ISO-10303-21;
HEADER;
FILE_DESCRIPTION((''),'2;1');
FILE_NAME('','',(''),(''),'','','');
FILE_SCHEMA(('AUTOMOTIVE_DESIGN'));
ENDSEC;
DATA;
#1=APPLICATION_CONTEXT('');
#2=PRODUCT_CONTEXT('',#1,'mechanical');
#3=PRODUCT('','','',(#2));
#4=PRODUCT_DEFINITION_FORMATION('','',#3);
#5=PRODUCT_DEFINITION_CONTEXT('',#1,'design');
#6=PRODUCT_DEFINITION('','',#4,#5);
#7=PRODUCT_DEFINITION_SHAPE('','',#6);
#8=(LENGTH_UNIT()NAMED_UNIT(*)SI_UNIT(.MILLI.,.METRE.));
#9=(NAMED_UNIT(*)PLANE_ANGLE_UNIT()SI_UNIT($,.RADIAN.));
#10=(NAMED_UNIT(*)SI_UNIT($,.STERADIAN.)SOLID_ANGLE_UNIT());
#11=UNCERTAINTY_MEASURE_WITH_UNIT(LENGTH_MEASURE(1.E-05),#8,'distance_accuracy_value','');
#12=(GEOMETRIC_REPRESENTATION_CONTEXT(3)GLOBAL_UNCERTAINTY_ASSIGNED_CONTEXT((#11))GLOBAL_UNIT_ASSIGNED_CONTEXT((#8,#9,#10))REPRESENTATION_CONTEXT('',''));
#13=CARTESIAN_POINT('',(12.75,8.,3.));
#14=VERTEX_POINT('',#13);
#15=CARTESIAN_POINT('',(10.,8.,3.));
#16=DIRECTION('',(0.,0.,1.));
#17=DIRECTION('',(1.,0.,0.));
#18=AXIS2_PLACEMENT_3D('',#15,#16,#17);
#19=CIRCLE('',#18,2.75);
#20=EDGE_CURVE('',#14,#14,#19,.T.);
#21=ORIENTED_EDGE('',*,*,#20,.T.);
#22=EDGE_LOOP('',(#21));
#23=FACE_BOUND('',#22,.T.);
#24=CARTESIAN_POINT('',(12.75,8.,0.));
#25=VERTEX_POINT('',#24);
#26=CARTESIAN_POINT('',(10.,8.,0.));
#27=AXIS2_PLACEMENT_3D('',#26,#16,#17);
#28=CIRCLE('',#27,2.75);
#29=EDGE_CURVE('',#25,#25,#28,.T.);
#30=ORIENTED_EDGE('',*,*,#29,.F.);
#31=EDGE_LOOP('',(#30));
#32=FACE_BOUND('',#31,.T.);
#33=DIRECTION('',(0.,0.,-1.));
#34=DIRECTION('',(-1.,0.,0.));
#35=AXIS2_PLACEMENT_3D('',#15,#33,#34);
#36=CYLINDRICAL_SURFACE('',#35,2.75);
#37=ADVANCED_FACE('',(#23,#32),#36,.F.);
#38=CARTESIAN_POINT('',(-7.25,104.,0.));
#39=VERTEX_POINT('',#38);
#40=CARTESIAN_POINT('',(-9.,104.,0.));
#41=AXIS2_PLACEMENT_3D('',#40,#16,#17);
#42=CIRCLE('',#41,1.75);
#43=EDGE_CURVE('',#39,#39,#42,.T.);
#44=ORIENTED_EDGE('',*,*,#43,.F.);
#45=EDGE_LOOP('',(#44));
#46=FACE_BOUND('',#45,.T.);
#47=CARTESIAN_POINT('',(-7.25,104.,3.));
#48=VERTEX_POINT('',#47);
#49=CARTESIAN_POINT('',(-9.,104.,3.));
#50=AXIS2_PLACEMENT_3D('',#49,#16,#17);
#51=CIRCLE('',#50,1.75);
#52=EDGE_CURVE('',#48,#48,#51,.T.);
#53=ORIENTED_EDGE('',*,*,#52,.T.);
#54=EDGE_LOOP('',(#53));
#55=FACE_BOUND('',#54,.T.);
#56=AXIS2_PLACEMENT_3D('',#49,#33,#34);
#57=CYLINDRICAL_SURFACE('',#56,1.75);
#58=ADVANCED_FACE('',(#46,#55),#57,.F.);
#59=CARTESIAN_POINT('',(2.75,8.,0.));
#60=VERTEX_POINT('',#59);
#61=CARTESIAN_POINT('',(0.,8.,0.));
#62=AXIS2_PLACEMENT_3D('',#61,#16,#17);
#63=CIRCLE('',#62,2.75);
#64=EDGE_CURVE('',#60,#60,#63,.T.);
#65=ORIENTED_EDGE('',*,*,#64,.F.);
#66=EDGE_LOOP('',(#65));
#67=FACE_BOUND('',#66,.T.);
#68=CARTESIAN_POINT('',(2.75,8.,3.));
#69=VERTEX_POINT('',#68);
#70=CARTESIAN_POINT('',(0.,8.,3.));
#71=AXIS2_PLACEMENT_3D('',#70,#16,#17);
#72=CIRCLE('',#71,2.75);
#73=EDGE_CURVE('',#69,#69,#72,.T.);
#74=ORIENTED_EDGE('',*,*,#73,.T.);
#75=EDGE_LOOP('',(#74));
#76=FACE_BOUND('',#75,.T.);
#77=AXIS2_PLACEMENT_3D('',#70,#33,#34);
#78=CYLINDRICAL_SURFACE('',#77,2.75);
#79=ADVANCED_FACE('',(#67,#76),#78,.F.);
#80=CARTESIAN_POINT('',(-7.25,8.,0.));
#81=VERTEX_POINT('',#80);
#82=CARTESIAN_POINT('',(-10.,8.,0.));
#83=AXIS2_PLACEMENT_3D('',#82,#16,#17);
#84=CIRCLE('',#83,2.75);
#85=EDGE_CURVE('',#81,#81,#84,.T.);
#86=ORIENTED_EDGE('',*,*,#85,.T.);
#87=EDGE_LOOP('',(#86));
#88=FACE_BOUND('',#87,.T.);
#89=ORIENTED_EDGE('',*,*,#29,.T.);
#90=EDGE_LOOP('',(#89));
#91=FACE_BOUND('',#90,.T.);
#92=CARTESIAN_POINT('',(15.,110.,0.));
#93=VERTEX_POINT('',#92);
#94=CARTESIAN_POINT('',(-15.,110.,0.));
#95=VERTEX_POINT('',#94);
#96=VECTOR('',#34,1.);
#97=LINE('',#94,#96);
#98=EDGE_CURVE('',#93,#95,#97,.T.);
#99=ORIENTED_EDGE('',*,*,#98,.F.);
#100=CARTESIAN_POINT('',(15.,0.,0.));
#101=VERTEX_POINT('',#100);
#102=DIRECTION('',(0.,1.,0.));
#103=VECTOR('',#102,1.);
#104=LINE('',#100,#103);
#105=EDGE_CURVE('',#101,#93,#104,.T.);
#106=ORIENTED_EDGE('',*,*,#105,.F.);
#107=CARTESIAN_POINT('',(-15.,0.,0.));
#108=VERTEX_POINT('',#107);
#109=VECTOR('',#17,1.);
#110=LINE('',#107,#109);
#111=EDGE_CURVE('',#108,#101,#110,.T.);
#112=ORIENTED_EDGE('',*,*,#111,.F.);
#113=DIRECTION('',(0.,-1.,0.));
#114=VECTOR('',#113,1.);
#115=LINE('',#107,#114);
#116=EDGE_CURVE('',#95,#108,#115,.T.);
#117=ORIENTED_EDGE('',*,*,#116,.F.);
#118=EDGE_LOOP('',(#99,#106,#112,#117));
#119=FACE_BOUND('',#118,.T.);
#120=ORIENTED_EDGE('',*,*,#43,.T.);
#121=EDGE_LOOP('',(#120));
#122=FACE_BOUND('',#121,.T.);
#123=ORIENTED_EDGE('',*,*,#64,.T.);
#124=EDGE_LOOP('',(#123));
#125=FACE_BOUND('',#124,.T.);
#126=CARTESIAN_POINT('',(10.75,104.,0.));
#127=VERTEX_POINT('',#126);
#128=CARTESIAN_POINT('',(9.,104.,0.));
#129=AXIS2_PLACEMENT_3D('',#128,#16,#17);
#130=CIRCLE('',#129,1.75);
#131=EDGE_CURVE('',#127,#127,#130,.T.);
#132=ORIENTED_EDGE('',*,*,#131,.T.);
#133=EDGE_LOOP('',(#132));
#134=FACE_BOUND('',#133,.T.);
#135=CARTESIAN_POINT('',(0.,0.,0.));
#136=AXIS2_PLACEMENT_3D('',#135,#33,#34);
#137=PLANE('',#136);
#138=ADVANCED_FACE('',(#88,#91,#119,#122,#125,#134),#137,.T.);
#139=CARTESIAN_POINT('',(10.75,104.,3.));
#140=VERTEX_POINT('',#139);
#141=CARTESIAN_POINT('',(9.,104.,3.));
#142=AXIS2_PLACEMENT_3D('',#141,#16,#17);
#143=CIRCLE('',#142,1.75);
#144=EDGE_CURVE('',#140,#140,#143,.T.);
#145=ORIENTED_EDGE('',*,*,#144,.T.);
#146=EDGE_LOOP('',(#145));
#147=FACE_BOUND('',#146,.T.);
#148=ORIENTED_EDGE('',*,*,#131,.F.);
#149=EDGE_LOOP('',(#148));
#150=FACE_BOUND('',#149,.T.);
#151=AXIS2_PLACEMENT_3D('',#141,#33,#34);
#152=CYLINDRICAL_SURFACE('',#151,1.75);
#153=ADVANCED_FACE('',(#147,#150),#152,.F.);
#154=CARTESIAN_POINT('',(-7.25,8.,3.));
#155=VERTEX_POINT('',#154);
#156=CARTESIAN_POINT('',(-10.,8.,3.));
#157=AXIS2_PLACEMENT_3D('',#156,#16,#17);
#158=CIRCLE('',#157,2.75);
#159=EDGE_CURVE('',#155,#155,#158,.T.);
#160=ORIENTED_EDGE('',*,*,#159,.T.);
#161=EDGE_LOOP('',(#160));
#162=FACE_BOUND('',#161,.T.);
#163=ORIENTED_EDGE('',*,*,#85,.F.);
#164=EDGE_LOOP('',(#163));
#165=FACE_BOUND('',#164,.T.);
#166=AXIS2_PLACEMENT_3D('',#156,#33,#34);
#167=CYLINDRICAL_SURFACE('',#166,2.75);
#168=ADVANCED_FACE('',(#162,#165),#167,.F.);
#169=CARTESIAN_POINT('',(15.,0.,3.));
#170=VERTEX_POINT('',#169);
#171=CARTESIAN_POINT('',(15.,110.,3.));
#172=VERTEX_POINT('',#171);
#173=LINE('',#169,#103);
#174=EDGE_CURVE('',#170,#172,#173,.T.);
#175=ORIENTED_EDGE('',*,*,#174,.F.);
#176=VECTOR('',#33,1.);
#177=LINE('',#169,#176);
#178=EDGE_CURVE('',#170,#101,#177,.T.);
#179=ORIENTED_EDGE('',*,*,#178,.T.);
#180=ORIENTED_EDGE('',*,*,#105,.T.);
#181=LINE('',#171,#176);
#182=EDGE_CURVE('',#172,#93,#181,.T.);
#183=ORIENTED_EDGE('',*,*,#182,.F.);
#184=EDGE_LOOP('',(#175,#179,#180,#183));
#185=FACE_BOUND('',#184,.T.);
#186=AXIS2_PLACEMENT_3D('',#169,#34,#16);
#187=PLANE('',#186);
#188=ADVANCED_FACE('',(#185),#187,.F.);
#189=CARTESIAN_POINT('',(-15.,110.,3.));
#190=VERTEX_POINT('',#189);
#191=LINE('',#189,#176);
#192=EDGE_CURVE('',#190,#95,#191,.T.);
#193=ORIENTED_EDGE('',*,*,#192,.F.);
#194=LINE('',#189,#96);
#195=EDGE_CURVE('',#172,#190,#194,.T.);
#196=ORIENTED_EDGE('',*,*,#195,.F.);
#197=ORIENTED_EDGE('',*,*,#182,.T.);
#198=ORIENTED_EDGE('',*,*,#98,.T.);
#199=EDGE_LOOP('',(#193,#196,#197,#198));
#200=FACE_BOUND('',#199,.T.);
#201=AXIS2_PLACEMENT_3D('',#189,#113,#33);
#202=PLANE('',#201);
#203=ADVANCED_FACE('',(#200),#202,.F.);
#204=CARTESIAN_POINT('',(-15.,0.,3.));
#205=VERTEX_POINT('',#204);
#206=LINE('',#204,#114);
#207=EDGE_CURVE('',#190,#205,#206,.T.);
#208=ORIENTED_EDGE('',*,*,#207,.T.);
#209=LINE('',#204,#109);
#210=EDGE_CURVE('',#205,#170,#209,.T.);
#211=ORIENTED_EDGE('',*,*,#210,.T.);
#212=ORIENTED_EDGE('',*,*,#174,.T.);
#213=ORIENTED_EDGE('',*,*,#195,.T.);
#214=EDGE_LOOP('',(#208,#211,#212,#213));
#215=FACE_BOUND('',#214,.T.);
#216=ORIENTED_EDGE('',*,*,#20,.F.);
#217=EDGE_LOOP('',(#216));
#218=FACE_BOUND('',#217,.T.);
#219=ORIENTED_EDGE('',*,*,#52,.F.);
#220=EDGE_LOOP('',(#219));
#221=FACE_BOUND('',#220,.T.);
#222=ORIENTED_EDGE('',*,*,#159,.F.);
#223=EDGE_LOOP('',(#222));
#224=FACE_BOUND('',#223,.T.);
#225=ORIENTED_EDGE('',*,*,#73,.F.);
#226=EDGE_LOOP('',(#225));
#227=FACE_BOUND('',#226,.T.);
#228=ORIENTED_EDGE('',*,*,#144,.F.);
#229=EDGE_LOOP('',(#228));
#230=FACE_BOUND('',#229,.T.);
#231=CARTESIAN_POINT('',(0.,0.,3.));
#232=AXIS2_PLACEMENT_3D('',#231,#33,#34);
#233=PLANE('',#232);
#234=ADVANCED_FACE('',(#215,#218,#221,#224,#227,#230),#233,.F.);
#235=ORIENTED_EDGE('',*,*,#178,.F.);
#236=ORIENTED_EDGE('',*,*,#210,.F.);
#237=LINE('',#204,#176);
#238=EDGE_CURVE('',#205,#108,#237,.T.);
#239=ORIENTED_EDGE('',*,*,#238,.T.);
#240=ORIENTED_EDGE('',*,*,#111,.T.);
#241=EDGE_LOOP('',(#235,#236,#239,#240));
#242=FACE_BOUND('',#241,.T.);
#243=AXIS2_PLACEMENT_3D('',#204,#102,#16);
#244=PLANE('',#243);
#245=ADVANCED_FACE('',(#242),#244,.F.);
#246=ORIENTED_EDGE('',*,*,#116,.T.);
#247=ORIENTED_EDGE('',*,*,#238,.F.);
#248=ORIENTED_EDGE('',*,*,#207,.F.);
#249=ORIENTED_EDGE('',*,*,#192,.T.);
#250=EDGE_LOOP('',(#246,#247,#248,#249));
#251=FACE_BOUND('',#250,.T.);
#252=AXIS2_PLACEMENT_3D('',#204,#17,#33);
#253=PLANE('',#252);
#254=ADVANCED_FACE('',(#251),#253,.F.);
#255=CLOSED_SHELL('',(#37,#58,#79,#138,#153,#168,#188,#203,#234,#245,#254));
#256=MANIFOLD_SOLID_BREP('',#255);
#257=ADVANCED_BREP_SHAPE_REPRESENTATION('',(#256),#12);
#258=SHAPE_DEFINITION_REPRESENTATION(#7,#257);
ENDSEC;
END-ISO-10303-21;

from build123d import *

# Parameters (mm, degrees)
SKETCH1_W           = 30
SKETCH1_H           = 110
SKETCH1_R           = 2.75
SKETCH1_R_2         = 1.75
BOSS_EXTRUDE1_DEPTH = 3


with BuildPart() as part:
    # Sketch1 → Boss-Extrude1 (new body)
    with BuildSketch(Plane.XY):
        with Locations((0, 55)):
            Rectangle(SKETCH1_W, SKETCH1_H)
        with Locations((10, 8)):
            Circle(SKETCH1_R, mode=Mode.SUBTRACT)
        with Locations((0, 8)):
            Circle(SKETCH1_R, mode=Mode.SUBTRACT)
        with Locations((-10, 8)):
            Circle(SKETCH1_R, mode=Mode.SUBTRACT)
        with Locations((-9, 104)):
            Circle(SKETCH1_R_2, mode=Mode.SUBTRACT)
        with Locations((9, 104)):
            Circle(SKETCH1_R_2, mode=Mode.SUBTRACT)
    extrude(amount=BOSS_EXTRUDE1_DEPTH)


solid = part.part
